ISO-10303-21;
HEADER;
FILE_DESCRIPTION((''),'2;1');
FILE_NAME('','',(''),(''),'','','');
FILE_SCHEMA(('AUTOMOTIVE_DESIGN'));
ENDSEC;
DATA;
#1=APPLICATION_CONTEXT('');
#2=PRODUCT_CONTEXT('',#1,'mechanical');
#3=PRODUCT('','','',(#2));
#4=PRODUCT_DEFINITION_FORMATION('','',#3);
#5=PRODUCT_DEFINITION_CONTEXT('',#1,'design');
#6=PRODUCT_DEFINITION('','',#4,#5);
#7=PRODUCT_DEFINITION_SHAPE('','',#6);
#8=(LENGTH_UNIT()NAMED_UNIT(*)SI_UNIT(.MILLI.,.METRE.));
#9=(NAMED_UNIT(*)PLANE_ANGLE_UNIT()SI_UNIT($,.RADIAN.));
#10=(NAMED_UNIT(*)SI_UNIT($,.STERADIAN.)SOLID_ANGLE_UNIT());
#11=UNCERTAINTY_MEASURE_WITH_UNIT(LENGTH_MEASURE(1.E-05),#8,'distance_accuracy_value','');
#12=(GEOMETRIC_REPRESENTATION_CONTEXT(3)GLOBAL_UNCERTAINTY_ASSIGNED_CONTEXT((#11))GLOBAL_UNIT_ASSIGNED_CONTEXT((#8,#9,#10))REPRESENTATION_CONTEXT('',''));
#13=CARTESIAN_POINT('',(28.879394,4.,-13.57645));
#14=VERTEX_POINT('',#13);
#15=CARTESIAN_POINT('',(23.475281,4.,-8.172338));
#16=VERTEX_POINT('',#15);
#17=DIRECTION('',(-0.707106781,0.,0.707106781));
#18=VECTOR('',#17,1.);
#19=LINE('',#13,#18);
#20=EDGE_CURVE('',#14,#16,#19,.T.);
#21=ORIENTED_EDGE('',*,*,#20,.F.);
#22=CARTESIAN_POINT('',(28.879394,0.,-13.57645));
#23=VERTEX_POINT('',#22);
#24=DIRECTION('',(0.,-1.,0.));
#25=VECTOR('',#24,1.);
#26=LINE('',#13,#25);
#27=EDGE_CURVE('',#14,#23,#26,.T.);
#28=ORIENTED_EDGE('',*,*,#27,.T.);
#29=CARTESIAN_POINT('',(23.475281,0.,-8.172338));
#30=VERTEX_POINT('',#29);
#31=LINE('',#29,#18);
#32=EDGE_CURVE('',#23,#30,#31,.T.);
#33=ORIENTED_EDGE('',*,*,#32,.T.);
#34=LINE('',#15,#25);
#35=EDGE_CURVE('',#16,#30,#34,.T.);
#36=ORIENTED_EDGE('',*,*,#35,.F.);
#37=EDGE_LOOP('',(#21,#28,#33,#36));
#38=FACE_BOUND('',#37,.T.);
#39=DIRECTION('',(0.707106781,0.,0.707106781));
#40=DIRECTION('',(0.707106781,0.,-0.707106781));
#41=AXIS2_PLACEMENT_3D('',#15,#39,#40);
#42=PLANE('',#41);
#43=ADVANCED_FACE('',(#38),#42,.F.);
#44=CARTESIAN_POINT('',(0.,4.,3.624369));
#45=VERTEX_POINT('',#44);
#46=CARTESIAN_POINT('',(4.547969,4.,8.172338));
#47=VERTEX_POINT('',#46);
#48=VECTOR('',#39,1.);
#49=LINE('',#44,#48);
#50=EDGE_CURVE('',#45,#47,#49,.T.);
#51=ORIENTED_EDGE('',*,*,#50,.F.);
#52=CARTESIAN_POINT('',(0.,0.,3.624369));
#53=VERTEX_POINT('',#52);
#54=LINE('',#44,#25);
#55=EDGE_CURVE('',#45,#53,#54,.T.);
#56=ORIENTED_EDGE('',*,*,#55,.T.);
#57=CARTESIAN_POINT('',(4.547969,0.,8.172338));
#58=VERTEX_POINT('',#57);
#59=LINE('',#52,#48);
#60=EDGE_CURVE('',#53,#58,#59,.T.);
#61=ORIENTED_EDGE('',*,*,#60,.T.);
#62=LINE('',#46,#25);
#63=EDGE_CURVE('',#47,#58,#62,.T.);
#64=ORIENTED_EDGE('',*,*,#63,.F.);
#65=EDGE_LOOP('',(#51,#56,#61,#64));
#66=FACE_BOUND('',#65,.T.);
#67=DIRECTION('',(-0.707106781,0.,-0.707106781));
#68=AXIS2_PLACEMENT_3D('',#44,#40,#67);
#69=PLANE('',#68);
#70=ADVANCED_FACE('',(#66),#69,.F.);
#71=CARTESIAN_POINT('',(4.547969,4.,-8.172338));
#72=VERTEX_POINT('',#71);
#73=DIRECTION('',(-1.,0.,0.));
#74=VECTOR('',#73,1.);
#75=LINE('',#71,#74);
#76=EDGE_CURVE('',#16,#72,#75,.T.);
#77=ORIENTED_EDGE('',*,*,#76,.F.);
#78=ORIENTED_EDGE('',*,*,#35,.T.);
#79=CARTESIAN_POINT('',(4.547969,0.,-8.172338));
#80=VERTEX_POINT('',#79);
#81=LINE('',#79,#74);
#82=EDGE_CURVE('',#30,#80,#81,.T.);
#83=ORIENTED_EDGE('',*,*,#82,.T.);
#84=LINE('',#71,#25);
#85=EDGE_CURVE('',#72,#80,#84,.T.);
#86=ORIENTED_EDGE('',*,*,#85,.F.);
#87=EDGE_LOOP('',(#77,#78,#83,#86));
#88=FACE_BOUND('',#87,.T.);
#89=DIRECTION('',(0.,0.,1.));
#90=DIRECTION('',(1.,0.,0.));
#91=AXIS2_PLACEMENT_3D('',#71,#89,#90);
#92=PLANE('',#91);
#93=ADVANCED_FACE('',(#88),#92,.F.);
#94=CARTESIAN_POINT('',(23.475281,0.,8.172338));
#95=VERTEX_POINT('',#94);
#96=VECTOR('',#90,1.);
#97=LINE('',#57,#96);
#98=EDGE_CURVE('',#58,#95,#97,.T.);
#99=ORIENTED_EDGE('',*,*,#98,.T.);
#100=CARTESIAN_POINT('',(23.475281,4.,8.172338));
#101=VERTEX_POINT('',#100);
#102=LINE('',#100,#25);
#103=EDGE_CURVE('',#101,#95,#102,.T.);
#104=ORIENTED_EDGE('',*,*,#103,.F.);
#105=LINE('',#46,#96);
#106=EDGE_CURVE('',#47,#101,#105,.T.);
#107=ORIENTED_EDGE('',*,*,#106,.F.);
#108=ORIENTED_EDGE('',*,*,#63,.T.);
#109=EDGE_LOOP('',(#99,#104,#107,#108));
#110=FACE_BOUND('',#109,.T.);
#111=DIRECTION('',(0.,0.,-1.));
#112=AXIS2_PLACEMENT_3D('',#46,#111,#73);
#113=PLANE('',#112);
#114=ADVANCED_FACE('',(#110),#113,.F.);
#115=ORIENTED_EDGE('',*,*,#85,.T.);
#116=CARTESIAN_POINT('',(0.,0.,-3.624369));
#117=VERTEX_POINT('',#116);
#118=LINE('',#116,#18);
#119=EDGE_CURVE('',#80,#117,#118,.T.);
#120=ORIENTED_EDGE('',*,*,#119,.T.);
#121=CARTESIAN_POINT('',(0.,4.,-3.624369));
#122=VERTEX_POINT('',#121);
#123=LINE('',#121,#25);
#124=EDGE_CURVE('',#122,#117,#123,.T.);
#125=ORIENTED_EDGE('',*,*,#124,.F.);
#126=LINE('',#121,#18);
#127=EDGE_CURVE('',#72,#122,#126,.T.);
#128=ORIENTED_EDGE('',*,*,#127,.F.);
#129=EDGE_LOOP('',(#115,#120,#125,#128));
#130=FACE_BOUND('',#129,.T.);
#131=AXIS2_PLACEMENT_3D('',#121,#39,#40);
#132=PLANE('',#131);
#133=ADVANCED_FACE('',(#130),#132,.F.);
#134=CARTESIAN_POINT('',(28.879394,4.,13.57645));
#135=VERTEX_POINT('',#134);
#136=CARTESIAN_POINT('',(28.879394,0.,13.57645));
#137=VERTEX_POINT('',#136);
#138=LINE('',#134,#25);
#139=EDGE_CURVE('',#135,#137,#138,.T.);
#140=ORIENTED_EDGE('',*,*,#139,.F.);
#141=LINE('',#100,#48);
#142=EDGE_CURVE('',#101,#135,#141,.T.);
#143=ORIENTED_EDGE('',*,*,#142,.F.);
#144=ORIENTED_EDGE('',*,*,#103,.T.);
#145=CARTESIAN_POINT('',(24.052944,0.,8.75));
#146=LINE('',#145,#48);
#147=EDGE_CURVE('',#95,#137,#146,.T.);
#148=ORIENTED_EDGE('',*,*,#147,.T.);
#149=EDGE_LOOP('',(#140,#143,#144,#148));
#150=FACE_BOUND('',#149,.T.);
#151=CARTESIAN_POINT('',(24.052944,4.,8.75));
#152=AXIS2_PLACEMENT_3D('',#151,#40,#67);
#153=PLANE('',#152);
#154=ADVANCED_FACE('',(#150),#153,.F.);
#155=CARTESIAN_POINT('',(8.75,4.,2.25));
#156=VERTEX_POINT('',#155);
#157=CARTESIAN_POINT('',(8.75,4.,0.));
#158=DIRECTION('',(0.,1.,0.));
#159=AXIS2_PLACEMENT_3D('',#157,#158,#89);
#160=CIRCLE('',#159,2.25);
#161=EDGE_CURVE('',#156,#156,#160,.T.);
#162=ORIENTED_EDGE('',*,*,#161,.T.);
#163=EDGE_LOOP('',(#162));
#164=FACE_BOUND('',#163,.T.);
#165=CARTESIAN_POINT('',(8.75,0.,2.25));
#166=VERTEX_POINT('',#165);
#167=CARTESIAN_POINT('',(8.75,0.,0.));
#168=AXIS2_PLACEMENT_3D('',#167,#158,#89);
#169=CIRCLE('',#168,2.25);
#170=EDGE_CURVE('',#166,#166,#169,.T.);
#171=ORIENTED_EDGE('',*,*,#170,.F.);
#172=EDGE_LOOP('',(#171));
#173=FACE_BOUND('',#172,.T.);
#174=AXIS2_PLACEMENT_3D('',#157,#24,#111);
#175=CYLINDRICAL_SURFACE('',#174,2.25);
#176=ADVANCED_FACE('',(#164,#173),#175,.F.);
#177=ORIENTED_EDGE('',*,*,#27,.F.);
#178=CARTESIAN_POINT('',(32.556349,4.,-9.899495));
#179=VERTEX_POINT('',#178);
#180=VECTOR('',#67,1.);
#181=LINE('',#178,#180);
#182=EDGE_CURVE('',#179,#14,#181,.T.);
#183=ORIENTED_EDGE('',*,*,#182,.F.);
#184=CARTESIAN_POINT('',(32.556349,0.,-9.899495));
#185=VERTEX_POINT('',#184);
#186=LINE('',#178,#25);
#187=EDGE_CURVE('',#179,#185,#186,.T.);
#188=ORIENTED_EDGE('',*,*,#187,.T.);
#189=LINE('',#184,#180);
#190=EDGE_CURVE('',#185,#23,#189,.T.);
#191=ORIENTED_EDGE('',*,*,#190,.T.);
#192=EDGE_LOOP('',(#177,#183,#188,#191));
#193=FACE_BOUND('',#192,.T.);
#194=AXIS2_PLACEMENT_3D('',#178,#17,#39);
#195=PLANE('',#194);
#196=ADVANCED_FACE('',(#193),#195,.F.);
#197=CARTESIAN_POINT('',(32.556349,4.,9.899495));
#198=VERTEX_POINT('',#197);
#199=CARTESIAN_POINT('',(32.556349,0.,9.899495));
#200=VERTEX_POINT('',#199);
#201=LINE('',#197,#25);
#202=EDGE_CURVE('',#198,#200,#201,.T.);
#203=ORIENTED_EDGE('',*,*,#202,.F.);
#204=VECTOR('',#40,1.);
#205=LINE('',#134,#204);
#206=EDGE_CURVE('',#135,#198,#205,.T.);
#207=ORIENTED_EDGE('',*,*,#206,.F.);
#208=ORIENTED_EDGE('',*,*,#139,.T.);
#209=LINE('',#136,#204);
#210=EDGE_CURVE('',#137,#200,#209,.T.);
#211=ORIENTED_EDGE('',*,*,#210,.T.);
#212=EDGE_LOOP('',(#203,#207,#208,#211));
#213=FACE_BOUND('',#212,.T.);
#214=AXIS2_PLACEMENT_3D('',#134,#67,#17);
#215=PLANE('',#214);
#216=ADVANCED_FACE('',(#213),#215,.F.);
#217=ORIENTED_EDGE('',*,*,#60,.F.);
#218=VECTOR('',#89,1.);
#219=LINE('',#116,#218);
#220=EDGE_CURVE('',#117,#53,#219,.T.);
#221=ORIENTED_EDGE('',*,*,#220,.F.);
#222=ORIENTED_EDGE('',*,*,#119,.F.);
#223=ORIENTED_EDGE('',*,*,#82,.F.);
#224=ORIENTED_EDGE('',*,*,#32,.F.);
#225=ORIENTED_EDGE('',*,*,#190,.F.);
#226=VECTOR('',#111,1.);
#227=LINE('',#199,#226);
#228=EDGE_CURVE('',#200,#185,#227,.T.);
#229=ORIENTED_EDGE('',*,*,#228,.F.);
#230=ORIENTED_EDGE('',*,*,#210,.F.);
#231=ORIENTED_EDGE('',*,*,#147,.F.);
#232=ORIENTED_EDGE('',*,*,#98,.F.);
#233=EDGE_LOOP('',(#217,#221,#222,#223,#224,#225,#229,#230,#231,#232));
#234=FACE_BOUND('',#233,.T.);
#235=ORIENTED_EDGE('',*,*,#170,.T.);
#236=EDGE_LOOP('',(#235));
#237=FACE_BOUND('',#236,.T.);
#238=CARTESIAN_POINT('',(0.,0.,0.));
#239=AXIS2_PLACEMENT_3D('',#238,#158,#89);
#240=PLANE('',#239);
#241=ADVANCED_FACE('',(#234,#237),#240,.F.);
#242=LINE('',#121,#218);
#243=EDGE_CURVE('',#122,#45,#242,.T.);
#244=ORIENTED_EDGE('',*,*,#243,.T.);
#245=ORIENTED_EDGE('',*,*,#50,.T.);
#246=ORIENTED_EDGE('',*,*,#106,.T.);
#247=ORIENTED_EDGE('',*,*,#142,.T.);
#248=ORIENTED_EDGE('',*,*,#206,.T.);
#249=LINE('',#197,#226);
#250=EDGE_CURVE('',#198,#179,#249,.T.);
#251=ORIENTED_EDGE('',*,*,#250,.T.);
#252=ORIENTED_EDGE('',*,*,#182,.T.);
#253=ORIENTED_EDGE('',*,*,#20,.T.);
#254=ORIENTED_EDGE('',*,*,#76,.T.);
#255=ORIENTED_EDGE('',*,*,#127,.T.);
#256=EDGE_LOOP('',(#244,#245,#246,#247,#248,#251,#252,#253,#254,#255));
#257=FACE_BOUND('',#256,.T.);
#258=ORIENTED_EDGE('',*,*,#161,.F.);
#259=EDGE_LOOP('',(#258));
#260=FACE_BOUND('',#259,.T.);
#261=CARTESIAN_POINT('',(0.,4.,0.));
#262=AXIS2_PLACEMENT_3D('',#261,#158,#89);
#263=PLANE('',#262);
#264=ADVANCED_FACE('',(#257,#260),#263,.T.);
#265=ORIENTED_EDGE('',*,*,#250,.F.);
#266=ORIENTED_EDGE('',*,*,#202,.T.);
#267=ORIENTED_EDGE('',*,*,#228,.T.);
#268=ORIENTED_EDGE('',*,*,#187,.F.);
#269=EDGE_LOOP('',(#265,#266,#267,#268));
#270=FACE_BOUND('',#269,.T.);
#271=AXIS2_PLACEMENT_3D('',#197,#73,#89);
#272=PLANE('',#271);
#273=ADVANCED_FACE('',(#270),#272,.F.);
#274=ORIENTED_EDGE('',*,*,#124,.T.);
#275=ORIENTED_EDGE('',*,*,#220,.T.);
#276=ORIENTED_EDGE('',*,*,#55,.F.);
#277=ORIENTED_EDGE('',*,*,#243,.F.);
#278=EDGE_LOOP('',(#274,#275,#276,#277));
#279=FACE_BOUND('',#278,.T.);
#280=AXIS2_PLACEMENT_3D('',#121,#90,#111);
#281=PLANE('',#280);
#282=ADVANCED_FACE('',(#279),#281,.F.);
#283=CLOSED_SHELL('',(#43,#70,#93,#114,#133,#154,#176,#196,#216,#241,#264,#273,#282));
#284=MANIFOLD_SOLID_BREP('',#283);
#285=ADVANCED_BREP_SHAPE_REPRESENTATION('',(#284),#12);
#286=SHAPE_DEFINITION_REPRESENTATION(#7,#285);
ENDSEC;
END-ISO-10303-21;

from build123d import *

# Parameters (mm, degrees)
SKETCH1_R           = 2.25
BOSS_EXTRUDE1_DEPTH = 4


with BuildPart() as part:
    # Sketch1 → Boss-Extrude1 (new body)
    with BuildSketch(Plane(origin=(0, 0, 0), x_dir=(1, 0, 0), z_dir=(0, 1, 0))):
        Polygon((0, 3.624368671), (0, -3.624368671), (4.547968979, -8.17233765), (23.47528137, -8.17233765), (23.48528137, -8.18233765), (24.05294372, -8.75), (28.879393916, -13.576450196), (32.556349179, -9.899494934), (32.556349179, 9.899494934), (28.879393916, 13.576450196), (24.05294372, 8.75), (23.48528137, 8.18233765), (23.47528137, 8.17233765), (4.547968979, 8.17233765), align=None)
        with Locations(Location((8.75, 0, 0), (0, 0, 270))):
            Circle(SKETCH1_R, mode=Mode.SUBTRACT)
    extrude(amount=BOSS_EXTRUDE1_DEPTH)


solid = part.part
